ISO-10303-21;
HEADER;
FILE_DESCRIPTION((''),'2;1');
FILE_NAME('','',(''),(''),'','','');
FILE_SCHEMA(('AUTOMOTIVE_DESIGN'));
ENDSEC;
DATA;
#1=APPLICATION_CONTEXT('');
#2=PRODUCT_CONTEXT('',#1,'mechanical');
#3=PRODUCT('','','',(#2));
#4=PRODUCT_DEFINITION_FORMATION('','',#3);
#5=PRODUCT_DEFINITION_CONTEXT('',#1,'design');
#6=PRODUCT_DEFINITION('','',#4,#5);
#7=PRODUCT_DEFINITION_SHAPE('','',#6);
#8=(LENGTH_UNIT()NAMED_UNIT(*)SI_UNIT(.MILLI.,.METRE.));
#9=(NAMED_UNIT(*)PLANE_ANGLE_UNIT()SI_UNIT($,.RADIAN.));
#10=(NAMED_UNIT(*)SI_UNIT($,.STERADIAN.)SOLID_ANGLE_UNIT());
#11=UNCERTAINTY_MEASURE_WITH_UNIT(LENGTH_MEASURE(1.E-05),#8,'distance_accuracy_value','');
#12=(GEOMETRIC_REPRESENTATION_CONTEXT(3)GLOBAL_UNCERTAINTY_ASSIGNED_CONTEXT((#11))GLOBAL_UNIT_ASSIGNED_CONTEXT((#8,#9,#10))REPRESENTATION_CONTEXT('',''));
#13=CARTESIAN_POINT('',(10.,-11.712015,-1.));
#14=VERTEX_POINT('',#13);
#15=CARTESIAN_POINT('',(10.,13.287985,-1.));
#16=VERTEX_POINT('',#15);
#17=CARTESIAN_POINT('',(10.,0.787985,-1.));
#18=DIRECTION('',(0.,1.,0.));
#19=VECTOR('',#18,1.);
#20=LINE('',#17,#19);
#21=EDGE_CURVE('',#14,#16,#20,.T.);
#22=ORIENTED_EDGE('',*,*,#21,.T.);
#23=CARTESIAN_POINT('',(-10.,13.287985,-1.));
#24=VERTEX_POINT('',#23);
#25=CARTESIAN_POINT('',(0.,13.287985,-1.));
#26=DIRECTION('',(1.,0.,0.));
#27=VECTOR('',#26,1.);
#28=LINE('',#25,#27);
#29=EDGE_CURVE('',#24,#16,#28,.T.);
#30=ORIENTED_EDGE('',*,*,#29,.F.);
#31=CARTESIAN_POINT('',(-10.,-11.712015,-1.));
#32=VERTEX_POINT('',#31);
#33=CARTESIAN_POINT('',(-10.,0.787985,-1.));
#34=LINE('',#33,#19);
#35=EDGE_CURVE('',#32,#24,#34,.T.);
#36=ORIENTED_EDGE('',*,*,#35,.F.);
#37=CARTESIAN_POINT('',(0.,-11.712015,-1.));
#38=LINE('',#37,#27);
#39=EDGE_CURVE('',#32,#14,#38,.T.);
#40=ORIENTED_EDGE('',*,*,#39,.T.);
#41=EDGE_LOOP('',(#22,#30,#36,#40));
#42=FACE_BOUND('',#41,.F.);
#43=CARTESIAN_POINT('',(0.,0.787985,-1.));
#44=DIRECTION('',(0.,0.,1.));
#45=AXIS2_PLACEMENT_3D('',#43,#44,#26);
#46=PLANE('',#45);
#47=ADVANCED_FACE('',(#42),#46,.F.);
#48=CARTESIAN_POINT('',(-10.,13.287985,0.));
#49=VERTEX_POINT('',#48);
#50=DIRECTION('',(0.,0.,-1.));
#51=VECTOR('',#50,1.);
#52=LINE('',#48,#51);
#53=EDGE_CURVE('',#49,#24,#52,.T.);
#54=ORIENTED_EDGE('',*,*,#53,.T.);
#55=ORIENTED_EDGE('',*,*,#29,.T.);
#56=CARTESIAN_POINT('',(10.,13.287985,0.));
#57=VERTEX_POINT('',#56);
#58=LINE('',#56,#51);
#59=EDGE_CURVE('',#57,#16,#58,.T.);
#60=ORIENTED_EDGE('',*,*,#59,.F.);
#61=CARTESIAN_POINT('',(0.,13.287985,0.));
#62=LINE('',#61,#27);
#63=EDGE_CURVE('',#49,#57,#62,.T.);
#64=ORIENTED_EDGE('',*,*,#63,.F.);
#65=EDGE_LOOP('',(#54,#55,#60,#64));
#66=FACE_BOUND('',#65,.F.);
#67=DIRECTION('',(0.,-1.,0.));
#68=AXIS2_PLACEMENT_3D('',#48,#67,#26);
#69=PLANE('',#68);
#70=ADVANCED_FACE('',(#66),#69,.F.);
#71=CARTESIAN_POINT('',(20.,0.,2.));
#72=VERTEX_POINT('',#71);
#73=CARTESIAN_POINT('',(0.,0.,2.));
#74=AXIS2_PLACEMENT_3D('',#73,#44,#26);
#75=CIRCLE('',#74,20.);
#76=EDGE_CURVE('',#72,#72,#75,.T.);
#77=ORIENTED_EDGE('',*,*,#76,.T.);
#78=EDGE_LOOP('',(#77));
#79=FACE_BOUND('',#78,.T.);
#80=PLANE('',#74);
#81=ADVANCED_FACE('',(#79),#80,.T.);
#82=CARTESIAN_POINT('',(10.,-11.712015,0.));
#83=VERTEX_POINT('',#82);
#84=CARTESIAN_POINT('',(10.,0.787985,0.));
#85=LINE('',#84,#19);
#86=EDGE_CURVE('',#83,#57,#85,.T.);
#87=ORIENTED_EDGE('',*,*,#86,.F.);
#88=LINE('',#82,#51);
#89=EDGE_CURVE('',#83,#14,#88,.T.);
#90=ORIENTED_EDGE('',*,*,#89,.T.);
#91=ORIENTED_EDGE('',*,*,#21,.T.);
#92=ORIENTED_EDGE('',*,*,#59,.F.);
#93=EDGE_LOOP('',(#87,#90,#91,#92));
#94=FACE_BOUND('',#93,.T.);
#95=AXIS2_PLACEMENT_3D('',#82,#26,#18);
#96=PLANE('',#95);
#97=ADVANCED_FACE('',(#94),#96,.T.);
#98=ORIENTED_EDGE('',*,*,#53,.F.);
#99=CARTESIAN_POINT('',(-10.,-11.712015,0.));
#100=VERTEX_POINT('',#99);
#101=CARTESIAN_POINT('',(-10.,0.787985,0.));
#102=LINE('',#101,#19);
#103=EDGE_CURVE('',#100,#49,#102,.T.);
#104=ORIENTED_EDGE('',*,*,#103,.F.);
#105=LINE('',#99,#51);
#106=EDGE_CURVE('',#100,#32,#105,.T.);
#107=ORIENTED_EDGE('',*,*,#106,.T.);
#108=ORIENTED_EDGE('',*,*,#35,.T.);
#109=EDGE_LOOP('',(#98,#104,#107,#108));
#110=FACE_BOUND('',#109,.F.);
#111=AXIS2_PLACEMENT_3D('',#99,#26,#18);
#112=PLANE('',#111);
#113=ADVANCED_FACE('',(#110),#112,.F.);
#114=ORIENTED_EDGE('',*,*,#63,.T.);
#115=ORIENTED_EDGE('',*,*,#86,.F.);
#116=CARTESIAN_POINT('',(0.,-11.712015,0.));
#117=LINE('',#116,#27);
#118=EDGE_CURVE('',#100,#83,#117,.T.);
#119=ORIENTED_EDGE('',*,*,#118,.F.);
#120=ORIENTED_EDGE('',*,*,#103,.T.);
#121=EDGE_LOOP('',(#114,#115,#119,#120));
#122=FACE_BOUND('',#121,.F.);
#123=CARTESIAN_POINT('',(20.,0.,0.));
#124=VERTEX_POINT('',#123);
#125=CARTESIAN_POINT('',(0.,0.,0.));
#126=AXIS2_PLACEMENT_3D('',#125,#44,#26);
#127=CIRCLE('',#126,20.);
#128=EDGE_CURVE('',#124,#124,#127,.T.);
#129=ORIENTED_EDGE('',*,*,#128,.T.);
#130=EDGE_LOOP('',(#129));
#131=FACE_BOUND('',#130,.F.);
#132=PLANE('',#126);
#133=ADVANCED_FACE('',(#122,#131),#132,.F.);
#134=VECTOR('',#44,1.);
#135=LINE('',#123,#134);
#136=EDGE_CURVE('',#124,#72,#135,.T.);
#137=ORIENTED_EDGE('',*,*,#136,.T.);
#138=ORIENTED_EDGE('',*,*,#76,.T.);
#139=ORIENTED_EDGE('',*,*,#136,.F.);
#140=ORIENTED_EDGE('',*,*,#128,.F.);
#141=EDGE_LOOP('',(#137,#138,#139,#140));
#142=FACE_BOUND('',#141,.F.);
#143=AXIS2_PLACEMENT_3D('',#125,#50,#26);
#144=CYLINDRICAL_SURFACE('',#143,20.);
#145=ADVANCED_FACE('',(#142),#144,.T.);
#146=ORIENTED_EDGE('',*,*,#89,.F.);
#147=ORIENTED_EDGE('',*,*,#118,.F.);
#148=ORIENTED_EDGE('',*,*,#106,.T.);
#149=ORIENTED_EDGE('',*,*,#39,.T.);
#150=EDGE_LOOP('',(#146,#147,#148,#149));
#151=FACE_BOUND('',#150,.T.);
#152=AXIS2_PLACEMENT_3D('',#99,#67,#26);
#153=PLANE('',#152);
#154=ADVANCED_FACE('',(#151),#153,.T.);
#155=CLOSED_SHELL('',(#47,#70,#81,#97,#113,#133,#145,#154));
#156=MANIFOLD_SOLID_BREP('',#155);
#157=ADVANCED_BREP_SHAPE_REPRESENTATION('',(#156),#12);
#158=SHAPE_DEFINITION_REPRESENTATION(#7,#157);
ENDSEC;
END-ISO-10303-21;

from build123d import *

# Parameters (mm, degrees)
F0_R     = 20
F0_W     = 20
F0_H     = 25
F1_DEPTH = 2
F2_W     = 20
F2_H     = 25
F3_DEPTH = 1


with BuildPart() as f1:
    # F0 (on Top) → F1 (new body)
    with BuildSketch(Plane.XY):
        Circle(F0_R)
        Rectangle(F0_W, F0_H, mode=Mode.SUBTRACT)
        Rectangle(F0_W, F0_H)
    extrude(amount=F1_DEPTH)

    # F2 (on Top) → F3 (join)
    with BuildSketch(Plane.XY):
        with Locations((0, 0.787985)):
            Rectangle(F2_W, F2_H)
    extrude(amount=-F3_DEPTH)


solid = f1.part
